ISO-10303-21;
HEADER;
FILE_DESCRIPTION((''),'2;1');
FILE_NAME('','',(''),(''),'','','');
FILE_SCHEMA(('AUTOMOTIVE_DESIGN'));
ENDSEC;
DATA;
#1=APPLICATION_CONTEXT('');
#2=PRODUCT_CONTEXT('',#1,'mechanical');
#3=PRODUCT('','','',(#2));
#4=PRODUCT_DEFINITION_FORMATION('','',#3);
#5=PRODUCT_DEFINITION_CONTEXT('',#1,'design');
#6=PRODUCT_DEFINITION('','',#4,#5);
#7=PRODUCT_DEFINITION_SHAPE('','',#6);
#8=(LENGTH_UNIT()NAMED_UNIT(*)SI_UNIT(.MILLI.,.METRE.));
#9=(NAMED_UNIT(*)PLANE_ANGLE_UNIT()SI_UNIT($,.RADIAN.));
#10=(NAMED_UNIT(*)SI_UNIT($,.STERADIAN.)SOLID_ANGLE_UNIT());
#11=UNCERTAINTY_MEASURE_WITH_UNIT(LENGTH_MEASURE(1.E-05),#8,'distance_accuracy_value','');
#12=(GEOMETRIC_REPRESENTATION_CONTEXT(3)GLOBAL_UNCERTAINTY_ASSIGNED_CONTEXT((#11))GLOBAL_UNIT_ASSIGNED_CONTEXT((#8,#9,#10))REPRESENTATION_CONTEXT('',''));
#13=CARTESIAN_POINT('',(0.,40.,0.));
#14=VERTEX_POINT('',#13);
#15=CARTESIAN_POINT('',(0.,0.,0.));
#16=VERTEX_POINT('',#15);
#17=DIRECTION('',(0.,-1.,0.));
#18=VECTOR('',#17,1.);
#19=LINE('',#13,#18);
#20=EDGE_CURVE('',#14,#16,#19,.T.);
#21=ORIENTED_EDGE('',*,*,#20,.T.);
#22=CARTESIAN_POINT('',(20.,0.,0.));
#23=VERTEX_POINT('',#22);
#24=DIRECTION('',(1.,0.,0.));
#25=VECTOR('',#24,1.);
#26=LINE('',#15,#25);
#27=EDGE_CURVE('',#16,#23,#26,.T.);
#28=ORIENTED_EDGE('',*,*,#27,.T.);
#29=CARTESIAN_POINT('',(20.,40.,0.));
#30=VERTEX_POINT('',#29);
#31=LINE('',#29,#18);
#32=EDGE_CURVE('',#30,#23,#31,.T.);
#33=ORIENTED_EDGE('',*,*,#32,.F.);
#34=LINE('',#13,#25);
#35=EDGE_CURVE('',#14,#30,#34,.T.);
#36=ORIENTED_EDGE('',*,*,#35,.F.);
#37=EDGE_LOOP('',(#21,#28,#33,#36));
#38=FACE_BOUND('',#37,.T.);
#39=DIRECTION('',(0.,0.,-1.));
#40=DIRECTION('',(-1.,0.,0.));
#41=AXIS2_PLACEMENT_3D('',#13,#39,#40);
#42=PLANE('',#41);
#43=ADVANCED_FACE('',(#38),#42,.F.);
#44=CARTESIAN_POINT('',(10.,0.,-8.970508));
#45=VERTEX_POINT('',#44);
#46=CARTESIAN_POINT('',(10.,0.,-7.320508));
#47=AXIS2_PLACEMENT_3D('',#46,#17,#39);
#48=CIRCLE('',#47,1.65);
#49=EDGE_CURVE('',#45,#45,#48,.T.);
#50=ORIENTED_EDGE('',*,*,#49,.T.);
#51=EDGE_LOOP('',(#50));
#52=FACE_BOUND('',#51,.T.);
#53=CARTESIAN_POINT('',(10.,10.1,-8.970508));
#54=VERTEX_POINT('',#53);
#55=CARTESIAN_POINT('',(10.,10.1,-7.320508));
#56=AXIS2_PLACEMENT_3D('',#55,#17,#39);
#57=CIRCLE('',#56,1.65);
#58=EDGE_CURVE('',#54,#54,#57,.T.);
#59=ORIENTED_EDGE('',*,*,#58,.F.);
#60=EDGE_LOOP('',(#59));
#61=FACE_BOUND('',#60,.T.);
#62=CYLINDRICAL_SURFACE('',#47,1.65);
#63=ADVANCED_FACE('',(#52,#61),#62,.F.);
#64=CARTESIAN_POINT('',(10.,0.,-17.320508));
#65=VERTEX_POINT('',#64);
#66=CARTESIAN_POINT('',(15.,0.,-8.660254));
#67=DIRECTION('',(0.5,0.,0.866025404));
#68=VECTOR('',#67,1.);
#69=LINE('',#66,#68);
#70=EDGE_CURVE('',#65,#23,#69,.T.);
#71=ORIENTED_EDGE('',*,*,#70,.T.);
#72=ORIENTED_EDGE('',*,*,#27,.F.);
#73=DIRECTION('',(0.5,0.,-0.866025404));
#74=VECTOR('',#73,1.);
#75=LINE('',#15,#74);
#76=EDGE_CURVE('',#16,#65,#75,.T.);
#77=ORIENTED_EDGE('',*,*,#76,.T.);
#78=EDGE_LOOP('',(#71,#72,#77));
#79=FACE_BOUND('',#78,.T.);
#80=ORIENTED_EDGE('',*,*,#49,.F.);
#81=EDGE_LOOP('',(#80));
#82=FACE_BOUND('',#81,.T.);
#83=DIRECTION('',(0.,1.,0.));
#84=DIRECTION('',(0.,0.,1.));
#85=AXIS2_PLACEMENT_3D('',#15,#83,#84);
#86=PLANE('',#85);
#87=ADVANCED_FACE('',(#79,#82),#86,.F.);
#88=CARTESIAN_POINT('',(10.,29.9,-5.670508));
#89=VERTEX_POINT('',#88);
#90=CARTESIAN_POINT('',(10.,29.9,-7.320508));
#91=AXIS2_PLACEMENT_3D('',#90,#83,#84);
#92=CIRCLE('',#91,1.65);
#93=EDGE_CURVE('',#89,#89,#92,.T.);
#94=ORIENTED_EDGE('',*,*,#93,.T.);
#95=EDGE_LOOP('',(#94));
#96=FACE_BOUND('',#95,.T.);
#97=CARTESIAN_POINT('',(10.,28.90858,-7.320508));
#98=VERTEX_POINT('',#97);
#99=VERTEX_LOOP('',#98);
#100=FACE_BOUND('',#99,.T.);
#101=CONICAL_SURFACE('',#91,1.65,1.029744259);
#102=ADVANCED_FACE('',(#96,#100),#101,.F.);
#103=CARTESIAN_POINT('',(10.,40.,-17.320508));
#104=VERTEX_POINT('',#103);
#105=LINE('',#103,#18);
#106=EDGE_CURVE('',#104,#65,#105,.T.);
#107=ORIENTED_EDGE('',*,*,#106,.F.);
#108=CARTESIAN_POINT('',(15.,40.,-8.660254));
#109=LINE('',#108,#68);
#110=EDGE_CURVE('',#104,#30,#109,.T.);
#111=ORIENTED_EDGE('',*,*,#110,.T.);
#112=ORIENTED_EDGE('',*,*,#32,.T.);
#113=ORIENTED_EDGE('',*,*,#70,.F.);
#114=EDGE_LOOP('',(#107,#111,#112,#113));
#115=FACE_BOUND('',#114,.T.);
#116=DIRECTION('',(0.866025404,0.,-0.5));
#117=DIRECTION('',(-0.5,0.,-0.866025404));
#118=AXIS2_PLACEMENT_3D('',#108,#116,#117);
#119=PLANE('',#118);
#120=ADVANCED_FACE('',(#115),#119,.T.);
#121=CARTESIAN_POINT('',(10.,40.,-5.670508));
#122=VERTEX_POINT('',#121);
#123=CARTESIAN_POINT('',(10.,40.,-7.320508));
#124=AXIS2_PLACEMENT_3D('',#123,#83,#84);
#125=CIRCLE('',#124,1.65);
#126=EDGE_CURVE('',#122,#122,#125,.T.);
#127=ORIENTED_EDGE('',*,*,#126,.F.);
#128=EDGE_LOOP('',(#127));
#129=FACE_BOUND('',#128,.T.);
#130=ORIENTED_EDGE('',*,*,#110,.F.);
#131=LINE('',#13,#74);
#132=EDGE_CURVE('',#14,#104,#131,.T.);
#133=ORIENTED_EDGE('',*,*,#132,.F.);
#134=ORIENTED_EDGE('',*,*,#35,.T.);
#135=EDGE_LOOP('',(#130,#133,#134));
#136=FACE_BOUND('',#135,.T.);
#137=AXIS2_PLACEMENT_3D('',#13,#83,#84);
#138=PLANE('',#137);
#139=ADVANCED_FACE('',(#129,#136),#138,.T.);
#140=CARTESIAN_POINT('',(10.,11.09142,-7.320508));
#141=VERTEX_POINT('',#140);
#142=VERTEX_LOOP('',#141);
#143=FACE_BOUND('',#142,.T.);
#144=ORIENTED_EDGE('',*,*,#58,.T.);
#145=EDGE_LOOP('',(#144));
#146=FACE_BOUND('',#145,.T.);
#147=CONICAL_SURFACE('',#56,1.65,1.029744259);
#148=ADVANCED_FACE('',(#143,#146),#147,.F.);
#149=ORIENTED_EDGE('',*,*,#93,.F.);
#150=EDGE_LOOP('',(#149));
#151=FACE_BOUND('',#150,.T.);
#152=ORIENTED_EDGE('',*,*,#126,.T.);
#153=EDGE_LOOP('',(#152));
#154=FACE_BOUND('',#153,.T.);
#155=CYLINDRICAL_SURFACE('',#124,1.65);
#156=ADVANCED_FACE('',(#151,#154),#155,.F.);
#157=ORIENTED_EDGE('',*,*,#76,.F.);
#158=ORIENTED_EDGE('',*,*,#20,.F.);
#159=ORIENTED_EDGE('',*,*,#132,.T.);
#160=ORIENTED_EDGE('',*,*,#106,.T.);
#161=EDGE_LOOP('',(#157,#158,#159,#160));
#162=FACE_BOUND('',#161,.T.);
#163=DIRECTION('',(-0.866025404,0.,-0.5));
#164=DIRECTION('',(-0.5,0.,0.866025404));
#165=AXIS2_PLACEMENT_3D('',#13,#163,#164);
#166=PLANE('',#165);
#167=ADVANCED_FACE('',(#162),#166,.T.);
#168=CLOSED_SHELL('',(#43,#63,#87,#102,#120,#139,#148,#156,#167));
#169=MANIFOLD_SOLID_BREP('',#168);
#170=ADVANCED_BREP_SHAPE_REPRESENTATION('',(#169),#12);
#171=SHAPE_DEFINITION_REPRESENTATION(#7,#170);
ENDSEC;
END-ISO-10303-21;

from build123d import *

# Parameters (mm, degrees)
EXTRUDE_1_DEPTH        = 40
HOLE_WIZARD_M4_1_D     = 3.3
HOLE_WIZARD_M4_1_DEPTH = 10.1
HOLE_WIZARD_M4_1_TIP   = 0.991420021
HOLE_WIZARD_M4_2_D     = 3.3
HOLE_WIZARD_M4_2_DEPTH = 10.1
HOLE_WIZARD_M4_2_TIP   = 0.991420021


with BuildPart() as part:
    # 草图1 → 凸台-拉伸1 (new body)
    with BuildSketch(Plane(origin=(0, 0, 0), x_dir=(1, 0, 0), z_dir=(0, 1, 0))):
        Polygon((0, 0), (20, 0), (10, 17.320508076), align=None)
    extrude(amount=EXTRUDE_1_DEPTH)

    # M4 螺纹孔1
    with Locations(Plane(origin=(0, 0, 0), x_dir=(-1, 0, 0), z_dir=(0, -1, 0))):
        with Locations((-10, 7.320508076)):
            Hole(HOLE_WIZARD_M4_1_D / 2, depth=HOLE_WIZARD_M4_1_DEPTH)
            with Locations((0, 0, -(HOLE_WIZARD_M4_1_DEPTH + HOLE_WIZARD_M4_1_TIP / 2))):  # 118° drill point
                Cone(0, HOLE_WIZARD_M4_1_D / 2, HOLE_WIZARD_M4_1_TIP, mode=Mode.SUBTRACT)

    # M4 螺纹孔2
    with Locations(Plane(origin=(0, 40, 0), x_dir=(1, 0, 0), z_dir=(0, 1, 0))):
        with Locations((10, 7.320508076)):
            Hole(HOLE_WIZARD_M4_2_D / 2, depth=HOLE_WIZARD_M4_2_DEPTH)
            with Locations((0, 0, -(HOLE_WIZARD_M4_2_DEPTH + HOLE_WIZARD_M4_2_TIP / 2))):  # 118° drill point
                Cone(0, HOLE_WIZARD_M4_2_D / 2, HOLE_WIZARD_M4_2_TIP, mode=Mode.SUBTRACT)


solid = part.part
